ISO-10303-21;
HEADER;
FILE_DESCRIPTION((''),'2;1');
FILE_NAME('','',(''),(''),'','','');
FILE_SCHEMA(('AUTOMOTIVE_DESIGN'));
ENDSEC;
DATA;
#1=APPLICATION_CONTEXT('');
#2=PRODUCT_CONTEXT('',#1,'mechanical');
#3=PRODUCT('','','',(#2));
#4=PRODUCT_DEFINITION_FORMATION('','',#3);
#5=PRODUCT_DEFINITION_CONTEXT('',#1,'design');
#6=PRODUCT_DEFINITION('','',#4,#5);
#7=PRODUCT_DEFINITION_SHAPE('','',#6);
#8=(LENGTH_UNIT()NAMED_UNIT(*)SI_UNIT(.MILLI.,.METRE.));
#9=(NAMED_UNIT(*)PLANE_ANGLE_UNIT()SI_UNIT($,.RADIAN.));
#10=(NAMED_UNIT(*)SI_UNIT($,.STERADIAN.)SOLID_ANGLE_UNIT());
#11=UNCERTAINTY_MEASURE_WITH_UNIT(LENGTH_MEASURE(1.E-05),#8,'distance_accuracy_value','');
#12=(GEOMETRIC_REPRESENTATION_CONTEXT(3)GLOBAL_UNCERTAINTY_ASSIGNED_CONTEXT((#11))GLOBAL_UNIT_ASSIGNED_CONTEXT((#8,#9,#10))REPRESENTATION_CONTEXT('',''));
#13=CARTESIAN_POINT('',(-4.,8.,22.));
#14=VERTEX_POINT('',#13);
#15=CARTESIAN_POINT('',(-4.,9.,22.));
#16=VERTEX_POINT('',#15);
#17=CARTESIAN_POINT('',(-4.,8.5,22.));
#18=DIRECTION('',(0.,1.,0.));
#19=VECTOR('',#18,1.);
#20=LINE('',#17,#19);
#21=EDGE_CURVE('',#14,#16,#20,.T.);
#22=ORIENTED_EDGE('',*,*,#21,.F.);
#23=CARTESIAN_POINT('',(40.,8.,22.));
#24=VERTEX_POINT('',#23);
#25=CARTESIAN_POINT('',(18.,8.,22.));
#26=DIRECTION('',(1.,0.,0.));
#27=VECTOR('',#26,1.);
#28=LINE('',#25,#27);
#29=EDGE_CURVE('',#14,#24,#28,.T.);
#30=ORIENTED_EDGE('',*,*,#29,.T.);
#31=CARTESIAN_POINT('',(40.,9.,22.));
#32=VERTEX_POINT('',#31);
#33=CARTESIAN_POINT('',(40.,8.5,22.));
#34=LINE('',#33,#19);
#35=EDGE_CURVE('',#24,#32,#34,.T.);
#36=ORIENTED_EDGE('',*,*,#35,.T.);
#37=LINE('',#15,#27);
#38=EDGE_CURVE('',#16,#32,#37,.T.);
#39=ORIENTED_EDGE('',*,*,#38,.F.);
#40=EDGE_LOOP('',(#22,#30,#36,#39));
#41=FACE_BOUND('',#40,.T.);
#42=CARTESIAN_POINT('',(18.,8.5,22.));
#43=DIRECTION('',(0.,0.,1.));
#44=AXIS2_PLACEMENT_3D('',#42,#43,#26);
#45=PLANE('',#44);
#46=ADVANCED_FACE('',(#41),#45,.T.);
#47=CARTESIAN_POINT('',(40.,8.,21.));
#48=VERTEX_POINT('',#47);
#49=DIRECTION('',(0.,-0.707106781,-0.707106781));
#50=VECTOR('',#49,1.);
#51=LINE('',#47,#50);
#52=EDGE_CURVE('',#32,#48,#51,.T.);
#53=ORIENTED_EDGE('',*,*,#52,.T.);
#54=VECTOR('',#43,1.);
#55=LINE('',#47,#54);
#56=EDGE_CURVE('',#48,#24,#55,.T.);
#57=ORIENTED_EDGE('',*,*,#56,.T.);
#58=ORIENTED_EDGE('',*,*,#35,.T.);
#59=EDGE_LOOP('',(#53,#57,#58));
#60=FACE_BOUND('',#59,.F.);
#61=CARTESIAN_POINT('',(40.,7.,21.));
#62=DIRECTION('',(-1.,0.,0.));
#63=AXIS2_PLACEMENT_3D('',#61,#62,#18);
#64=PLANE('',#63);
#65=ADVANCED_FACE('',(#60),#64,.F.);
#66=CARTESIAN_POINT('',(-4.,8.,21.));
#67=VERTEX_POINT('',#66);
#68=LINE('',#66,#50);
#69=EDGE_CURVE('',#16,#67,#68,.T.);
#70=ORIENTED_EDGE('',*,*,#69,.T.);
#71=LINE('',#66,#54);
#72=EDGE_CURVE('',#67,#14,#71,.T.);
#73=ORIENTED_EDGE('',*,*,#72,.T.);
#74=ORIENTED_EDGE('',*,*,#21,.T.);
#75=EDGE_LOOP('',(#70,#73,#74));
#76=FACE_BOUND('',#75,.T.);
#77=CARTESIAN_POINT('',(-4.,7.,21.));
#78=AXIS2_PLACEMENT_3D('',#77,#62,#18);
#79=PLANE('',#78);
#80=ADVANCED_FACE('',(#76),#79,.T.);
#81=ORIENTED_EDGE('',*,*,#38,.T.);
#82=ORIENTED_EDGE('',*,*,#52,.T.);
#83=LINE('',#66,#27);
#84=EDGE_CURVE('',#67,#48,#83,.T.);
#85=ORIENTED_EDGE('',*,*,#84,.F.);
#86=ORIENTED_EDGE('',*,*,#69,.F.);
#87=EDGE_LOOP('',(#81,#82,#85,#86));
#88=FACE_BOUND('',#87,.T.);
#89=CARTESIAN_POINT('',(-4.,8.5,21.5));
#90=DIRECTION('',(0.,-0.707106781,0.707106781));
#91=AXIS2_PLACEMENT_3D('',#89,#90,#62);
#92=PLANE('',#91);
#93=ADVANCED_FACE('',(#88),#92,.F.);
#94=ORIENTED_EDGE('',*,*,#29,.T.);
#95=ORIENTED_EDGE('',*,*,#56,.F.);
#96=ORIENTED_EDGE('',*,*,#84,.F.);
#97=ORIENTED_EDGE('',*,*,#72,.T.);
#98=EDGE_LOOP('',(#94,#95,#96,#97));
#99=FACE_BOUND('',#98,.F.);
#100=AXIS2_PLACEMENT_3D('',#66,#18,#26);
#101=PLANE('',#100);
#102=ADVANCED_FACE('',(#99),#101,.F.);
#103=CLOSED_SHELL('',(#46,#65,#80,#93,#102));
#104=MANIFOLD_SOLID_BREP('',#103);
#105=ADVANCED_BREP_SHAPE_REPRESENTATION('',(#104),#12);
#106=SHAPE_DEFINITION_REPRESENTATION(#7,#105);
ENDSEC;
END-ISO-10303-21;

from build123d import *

# Parameters (mm, degrees)
BOX008_W        = 44
BOX008_H        = 1
BOX008_DEPTH    = 1
BOX007_W        = 44
BOX007_H        = 1
BOX007_DEPTH    = 2
BOX006_W        = 44
BOX006_H        = 2
BOX006_DEPTH    = 2
CHAMFER006_SIZE = 1


with BuildPart() as cube007:
    # Box008 → Box008 (new body)
    with BuildSketch(Plane(origin=(-4, 8, 22), x_dir=(1, 0, 0), z_dir=(0, 0, 1))):
        with Locations((22, 0.5)):
            Rectangle(BOX008_W, BOX008_H)
    extrude(amount=BOX008_DEPTH)


with BuildPart() as cube006:
    # Box007 → Box007 (new body)
    with BuildSketch(Plane(origin=(-4, 7, 21), x_dir=(1, 0, 0), z_dir=(0, 0, 1))):
        with Locations((22, 0.5)):
            Rectangle(BOX007_W, BOX007_H)
    extrude(amount=BOX007_DEPTH)


with BuildPart() as select_infill_long:
    # Box006 → Box006 (new body)
    with BuildSketch(Plane(origin=(-4, 7, 21), x_dir=(1, 0, 0), z_dir=(0, 0, 1))):
        with Locations((22, 1)):
            Rectangle(BOX006_W, BOX006_H)
    extrude(amount=BOX006_DEPTH)

    # Chamfer006
    chamfer006_edges = [select_infill_long.edges().sort_by_distance(p)[0] for p in [
        (18, 9, 21),
    ]]
    chamfer(chamfer006_edges, length=CHAMFER006_SIZE)

    # Cut013002: cut Cube006
    add(cube006.part, mode=Mode.SUBTRACT)

    # Cut013003: cut Cube007
    add(cube007.part, mode=Mode.SUBTRACT)


solid = select_infill_long.part
